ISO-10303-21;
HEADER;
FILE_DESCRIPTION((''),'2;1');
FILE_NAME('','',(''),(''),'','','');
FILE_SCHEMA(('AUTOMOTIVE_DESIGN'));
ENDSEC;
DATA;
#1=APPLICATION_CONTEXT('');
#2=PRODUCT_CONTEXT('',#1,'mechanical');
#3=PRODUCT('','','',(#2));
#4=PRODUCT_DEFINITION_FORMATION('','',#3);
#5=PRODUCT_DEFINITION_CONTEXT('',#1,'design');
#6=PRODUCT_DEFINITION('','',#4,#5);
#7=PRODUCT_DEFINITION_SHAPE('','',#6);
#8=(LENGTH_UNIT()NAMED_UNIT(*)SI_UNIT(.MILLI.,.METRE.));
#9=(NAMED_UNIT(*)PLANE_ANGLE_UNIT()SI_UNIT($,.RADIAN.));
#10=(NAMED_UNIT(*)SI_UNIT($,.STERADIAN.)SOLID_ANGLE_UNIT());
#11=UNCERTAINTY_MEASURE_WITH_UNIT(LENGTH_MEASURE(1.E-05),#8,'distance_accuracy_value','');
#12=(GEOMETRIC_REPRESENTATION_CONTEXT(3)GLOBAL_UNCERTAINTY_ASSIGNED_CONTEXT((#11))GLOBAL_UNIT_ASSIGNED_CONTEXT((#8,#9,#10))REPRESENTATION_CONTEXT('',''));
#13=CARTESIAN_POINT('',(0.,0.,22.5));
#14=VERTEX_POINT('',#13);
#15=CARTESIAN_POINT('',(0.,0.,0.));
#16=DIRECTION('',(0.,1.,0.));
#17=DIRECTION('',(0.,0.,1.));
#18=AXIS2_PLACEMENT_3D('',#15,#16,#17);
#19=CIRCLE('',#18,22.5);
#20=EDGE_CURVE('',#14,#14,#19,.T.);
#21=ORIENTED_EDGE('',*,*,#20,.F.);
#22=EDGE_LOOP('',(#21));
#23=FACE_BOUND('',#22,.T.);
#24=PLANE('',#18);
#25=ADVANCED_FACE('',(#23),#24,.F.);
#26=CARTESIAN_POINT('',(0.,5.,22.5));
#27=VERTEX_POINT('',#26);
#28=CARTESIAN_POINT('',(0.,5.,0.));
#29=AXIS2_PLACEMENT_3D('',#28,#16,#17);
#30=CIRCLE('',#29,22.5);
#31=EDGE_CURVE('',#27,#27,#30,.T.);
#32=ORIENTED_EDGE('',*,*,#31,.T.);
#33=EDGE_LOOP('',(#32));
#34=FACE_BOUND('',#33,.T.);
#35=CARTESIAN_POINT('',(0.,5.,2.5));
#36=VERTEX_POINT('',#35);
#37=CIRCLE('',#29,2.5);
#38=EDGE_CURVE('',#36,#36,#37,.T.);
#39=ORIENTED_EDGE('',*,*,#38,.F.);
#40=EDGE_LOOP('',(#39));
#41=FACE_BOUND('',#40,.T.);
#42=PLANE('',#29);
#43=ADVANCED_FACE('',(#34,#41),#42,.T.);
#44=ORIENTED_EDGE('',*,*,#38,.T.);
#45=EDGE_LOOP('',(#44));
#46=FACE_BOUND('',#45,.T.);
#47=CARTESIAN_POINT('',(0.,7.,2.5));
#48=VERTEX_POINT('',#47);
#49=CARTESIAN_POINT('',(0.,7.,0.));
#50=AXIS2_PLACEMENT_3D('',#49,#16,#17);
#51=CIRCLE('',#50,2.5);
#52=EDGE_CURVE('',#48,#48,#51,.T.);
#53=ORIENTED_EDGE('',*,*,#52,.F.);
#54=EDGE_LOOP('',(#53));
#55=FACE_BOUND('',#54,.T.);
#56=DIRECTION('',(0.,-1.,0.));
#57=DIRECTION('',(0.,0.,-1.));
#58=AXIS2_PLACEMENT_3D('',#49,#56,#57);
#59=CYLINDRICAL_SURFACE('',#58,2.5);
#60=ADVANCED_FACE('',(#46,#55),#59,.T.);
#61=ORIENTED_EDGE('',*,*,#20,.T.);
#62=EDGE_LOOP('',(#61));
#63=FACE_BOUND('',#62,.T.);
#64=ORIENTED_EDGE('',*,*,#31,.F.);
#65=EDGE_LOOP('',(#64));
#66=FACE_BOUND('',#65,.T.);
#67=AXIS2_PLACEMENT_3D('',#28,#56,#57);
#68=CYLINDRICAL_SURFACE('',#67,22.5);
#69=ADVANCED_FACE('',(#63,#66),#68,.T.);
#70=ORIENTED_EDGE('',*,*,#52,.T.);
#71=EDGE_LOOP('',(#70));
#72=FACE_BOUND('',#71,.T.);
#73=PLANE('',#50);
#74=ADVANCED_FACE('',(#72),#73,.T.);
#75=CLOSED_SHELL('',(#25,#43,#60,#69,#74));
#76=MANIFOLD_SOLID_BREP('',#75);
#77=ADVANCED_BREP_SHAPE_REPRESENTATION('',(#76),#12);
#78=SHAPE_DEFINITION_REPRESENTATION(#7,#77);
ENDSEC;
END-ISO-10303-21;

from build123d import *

# Parameters (mm, degrees)
SKETCH1_R           = 22.5
BOSS_EXTRUDE1_DEPTH = 5
SKETCH2_R           = 2.5
BOSS_EXTRUDE2_DEPTH = 2


with BuildPart() as part:
    # Sketch1 → Boss-Extrude1 (new body)
    with BuildSketch(Plane(origin=(0, 0, 0), x_dir=(1, 0, 0), z_dir=(0, 1, 0))):
        Circle(SKETCH1_R)
    extrude(amount=BOSS_EXTRUDE1_DEPTH)

    # Sketch2 → Boss-Extrude2 (add)
    with BuildSketch(Plane(origin=(0, 5, 0), x_dir=(1, 0, 0), z_dir=(0, 1, 0))):
        Circle(SKETCH2_R)
    extrude(amount=BOSS_EXTRUDE2_DEPTH)


solid = part.part
